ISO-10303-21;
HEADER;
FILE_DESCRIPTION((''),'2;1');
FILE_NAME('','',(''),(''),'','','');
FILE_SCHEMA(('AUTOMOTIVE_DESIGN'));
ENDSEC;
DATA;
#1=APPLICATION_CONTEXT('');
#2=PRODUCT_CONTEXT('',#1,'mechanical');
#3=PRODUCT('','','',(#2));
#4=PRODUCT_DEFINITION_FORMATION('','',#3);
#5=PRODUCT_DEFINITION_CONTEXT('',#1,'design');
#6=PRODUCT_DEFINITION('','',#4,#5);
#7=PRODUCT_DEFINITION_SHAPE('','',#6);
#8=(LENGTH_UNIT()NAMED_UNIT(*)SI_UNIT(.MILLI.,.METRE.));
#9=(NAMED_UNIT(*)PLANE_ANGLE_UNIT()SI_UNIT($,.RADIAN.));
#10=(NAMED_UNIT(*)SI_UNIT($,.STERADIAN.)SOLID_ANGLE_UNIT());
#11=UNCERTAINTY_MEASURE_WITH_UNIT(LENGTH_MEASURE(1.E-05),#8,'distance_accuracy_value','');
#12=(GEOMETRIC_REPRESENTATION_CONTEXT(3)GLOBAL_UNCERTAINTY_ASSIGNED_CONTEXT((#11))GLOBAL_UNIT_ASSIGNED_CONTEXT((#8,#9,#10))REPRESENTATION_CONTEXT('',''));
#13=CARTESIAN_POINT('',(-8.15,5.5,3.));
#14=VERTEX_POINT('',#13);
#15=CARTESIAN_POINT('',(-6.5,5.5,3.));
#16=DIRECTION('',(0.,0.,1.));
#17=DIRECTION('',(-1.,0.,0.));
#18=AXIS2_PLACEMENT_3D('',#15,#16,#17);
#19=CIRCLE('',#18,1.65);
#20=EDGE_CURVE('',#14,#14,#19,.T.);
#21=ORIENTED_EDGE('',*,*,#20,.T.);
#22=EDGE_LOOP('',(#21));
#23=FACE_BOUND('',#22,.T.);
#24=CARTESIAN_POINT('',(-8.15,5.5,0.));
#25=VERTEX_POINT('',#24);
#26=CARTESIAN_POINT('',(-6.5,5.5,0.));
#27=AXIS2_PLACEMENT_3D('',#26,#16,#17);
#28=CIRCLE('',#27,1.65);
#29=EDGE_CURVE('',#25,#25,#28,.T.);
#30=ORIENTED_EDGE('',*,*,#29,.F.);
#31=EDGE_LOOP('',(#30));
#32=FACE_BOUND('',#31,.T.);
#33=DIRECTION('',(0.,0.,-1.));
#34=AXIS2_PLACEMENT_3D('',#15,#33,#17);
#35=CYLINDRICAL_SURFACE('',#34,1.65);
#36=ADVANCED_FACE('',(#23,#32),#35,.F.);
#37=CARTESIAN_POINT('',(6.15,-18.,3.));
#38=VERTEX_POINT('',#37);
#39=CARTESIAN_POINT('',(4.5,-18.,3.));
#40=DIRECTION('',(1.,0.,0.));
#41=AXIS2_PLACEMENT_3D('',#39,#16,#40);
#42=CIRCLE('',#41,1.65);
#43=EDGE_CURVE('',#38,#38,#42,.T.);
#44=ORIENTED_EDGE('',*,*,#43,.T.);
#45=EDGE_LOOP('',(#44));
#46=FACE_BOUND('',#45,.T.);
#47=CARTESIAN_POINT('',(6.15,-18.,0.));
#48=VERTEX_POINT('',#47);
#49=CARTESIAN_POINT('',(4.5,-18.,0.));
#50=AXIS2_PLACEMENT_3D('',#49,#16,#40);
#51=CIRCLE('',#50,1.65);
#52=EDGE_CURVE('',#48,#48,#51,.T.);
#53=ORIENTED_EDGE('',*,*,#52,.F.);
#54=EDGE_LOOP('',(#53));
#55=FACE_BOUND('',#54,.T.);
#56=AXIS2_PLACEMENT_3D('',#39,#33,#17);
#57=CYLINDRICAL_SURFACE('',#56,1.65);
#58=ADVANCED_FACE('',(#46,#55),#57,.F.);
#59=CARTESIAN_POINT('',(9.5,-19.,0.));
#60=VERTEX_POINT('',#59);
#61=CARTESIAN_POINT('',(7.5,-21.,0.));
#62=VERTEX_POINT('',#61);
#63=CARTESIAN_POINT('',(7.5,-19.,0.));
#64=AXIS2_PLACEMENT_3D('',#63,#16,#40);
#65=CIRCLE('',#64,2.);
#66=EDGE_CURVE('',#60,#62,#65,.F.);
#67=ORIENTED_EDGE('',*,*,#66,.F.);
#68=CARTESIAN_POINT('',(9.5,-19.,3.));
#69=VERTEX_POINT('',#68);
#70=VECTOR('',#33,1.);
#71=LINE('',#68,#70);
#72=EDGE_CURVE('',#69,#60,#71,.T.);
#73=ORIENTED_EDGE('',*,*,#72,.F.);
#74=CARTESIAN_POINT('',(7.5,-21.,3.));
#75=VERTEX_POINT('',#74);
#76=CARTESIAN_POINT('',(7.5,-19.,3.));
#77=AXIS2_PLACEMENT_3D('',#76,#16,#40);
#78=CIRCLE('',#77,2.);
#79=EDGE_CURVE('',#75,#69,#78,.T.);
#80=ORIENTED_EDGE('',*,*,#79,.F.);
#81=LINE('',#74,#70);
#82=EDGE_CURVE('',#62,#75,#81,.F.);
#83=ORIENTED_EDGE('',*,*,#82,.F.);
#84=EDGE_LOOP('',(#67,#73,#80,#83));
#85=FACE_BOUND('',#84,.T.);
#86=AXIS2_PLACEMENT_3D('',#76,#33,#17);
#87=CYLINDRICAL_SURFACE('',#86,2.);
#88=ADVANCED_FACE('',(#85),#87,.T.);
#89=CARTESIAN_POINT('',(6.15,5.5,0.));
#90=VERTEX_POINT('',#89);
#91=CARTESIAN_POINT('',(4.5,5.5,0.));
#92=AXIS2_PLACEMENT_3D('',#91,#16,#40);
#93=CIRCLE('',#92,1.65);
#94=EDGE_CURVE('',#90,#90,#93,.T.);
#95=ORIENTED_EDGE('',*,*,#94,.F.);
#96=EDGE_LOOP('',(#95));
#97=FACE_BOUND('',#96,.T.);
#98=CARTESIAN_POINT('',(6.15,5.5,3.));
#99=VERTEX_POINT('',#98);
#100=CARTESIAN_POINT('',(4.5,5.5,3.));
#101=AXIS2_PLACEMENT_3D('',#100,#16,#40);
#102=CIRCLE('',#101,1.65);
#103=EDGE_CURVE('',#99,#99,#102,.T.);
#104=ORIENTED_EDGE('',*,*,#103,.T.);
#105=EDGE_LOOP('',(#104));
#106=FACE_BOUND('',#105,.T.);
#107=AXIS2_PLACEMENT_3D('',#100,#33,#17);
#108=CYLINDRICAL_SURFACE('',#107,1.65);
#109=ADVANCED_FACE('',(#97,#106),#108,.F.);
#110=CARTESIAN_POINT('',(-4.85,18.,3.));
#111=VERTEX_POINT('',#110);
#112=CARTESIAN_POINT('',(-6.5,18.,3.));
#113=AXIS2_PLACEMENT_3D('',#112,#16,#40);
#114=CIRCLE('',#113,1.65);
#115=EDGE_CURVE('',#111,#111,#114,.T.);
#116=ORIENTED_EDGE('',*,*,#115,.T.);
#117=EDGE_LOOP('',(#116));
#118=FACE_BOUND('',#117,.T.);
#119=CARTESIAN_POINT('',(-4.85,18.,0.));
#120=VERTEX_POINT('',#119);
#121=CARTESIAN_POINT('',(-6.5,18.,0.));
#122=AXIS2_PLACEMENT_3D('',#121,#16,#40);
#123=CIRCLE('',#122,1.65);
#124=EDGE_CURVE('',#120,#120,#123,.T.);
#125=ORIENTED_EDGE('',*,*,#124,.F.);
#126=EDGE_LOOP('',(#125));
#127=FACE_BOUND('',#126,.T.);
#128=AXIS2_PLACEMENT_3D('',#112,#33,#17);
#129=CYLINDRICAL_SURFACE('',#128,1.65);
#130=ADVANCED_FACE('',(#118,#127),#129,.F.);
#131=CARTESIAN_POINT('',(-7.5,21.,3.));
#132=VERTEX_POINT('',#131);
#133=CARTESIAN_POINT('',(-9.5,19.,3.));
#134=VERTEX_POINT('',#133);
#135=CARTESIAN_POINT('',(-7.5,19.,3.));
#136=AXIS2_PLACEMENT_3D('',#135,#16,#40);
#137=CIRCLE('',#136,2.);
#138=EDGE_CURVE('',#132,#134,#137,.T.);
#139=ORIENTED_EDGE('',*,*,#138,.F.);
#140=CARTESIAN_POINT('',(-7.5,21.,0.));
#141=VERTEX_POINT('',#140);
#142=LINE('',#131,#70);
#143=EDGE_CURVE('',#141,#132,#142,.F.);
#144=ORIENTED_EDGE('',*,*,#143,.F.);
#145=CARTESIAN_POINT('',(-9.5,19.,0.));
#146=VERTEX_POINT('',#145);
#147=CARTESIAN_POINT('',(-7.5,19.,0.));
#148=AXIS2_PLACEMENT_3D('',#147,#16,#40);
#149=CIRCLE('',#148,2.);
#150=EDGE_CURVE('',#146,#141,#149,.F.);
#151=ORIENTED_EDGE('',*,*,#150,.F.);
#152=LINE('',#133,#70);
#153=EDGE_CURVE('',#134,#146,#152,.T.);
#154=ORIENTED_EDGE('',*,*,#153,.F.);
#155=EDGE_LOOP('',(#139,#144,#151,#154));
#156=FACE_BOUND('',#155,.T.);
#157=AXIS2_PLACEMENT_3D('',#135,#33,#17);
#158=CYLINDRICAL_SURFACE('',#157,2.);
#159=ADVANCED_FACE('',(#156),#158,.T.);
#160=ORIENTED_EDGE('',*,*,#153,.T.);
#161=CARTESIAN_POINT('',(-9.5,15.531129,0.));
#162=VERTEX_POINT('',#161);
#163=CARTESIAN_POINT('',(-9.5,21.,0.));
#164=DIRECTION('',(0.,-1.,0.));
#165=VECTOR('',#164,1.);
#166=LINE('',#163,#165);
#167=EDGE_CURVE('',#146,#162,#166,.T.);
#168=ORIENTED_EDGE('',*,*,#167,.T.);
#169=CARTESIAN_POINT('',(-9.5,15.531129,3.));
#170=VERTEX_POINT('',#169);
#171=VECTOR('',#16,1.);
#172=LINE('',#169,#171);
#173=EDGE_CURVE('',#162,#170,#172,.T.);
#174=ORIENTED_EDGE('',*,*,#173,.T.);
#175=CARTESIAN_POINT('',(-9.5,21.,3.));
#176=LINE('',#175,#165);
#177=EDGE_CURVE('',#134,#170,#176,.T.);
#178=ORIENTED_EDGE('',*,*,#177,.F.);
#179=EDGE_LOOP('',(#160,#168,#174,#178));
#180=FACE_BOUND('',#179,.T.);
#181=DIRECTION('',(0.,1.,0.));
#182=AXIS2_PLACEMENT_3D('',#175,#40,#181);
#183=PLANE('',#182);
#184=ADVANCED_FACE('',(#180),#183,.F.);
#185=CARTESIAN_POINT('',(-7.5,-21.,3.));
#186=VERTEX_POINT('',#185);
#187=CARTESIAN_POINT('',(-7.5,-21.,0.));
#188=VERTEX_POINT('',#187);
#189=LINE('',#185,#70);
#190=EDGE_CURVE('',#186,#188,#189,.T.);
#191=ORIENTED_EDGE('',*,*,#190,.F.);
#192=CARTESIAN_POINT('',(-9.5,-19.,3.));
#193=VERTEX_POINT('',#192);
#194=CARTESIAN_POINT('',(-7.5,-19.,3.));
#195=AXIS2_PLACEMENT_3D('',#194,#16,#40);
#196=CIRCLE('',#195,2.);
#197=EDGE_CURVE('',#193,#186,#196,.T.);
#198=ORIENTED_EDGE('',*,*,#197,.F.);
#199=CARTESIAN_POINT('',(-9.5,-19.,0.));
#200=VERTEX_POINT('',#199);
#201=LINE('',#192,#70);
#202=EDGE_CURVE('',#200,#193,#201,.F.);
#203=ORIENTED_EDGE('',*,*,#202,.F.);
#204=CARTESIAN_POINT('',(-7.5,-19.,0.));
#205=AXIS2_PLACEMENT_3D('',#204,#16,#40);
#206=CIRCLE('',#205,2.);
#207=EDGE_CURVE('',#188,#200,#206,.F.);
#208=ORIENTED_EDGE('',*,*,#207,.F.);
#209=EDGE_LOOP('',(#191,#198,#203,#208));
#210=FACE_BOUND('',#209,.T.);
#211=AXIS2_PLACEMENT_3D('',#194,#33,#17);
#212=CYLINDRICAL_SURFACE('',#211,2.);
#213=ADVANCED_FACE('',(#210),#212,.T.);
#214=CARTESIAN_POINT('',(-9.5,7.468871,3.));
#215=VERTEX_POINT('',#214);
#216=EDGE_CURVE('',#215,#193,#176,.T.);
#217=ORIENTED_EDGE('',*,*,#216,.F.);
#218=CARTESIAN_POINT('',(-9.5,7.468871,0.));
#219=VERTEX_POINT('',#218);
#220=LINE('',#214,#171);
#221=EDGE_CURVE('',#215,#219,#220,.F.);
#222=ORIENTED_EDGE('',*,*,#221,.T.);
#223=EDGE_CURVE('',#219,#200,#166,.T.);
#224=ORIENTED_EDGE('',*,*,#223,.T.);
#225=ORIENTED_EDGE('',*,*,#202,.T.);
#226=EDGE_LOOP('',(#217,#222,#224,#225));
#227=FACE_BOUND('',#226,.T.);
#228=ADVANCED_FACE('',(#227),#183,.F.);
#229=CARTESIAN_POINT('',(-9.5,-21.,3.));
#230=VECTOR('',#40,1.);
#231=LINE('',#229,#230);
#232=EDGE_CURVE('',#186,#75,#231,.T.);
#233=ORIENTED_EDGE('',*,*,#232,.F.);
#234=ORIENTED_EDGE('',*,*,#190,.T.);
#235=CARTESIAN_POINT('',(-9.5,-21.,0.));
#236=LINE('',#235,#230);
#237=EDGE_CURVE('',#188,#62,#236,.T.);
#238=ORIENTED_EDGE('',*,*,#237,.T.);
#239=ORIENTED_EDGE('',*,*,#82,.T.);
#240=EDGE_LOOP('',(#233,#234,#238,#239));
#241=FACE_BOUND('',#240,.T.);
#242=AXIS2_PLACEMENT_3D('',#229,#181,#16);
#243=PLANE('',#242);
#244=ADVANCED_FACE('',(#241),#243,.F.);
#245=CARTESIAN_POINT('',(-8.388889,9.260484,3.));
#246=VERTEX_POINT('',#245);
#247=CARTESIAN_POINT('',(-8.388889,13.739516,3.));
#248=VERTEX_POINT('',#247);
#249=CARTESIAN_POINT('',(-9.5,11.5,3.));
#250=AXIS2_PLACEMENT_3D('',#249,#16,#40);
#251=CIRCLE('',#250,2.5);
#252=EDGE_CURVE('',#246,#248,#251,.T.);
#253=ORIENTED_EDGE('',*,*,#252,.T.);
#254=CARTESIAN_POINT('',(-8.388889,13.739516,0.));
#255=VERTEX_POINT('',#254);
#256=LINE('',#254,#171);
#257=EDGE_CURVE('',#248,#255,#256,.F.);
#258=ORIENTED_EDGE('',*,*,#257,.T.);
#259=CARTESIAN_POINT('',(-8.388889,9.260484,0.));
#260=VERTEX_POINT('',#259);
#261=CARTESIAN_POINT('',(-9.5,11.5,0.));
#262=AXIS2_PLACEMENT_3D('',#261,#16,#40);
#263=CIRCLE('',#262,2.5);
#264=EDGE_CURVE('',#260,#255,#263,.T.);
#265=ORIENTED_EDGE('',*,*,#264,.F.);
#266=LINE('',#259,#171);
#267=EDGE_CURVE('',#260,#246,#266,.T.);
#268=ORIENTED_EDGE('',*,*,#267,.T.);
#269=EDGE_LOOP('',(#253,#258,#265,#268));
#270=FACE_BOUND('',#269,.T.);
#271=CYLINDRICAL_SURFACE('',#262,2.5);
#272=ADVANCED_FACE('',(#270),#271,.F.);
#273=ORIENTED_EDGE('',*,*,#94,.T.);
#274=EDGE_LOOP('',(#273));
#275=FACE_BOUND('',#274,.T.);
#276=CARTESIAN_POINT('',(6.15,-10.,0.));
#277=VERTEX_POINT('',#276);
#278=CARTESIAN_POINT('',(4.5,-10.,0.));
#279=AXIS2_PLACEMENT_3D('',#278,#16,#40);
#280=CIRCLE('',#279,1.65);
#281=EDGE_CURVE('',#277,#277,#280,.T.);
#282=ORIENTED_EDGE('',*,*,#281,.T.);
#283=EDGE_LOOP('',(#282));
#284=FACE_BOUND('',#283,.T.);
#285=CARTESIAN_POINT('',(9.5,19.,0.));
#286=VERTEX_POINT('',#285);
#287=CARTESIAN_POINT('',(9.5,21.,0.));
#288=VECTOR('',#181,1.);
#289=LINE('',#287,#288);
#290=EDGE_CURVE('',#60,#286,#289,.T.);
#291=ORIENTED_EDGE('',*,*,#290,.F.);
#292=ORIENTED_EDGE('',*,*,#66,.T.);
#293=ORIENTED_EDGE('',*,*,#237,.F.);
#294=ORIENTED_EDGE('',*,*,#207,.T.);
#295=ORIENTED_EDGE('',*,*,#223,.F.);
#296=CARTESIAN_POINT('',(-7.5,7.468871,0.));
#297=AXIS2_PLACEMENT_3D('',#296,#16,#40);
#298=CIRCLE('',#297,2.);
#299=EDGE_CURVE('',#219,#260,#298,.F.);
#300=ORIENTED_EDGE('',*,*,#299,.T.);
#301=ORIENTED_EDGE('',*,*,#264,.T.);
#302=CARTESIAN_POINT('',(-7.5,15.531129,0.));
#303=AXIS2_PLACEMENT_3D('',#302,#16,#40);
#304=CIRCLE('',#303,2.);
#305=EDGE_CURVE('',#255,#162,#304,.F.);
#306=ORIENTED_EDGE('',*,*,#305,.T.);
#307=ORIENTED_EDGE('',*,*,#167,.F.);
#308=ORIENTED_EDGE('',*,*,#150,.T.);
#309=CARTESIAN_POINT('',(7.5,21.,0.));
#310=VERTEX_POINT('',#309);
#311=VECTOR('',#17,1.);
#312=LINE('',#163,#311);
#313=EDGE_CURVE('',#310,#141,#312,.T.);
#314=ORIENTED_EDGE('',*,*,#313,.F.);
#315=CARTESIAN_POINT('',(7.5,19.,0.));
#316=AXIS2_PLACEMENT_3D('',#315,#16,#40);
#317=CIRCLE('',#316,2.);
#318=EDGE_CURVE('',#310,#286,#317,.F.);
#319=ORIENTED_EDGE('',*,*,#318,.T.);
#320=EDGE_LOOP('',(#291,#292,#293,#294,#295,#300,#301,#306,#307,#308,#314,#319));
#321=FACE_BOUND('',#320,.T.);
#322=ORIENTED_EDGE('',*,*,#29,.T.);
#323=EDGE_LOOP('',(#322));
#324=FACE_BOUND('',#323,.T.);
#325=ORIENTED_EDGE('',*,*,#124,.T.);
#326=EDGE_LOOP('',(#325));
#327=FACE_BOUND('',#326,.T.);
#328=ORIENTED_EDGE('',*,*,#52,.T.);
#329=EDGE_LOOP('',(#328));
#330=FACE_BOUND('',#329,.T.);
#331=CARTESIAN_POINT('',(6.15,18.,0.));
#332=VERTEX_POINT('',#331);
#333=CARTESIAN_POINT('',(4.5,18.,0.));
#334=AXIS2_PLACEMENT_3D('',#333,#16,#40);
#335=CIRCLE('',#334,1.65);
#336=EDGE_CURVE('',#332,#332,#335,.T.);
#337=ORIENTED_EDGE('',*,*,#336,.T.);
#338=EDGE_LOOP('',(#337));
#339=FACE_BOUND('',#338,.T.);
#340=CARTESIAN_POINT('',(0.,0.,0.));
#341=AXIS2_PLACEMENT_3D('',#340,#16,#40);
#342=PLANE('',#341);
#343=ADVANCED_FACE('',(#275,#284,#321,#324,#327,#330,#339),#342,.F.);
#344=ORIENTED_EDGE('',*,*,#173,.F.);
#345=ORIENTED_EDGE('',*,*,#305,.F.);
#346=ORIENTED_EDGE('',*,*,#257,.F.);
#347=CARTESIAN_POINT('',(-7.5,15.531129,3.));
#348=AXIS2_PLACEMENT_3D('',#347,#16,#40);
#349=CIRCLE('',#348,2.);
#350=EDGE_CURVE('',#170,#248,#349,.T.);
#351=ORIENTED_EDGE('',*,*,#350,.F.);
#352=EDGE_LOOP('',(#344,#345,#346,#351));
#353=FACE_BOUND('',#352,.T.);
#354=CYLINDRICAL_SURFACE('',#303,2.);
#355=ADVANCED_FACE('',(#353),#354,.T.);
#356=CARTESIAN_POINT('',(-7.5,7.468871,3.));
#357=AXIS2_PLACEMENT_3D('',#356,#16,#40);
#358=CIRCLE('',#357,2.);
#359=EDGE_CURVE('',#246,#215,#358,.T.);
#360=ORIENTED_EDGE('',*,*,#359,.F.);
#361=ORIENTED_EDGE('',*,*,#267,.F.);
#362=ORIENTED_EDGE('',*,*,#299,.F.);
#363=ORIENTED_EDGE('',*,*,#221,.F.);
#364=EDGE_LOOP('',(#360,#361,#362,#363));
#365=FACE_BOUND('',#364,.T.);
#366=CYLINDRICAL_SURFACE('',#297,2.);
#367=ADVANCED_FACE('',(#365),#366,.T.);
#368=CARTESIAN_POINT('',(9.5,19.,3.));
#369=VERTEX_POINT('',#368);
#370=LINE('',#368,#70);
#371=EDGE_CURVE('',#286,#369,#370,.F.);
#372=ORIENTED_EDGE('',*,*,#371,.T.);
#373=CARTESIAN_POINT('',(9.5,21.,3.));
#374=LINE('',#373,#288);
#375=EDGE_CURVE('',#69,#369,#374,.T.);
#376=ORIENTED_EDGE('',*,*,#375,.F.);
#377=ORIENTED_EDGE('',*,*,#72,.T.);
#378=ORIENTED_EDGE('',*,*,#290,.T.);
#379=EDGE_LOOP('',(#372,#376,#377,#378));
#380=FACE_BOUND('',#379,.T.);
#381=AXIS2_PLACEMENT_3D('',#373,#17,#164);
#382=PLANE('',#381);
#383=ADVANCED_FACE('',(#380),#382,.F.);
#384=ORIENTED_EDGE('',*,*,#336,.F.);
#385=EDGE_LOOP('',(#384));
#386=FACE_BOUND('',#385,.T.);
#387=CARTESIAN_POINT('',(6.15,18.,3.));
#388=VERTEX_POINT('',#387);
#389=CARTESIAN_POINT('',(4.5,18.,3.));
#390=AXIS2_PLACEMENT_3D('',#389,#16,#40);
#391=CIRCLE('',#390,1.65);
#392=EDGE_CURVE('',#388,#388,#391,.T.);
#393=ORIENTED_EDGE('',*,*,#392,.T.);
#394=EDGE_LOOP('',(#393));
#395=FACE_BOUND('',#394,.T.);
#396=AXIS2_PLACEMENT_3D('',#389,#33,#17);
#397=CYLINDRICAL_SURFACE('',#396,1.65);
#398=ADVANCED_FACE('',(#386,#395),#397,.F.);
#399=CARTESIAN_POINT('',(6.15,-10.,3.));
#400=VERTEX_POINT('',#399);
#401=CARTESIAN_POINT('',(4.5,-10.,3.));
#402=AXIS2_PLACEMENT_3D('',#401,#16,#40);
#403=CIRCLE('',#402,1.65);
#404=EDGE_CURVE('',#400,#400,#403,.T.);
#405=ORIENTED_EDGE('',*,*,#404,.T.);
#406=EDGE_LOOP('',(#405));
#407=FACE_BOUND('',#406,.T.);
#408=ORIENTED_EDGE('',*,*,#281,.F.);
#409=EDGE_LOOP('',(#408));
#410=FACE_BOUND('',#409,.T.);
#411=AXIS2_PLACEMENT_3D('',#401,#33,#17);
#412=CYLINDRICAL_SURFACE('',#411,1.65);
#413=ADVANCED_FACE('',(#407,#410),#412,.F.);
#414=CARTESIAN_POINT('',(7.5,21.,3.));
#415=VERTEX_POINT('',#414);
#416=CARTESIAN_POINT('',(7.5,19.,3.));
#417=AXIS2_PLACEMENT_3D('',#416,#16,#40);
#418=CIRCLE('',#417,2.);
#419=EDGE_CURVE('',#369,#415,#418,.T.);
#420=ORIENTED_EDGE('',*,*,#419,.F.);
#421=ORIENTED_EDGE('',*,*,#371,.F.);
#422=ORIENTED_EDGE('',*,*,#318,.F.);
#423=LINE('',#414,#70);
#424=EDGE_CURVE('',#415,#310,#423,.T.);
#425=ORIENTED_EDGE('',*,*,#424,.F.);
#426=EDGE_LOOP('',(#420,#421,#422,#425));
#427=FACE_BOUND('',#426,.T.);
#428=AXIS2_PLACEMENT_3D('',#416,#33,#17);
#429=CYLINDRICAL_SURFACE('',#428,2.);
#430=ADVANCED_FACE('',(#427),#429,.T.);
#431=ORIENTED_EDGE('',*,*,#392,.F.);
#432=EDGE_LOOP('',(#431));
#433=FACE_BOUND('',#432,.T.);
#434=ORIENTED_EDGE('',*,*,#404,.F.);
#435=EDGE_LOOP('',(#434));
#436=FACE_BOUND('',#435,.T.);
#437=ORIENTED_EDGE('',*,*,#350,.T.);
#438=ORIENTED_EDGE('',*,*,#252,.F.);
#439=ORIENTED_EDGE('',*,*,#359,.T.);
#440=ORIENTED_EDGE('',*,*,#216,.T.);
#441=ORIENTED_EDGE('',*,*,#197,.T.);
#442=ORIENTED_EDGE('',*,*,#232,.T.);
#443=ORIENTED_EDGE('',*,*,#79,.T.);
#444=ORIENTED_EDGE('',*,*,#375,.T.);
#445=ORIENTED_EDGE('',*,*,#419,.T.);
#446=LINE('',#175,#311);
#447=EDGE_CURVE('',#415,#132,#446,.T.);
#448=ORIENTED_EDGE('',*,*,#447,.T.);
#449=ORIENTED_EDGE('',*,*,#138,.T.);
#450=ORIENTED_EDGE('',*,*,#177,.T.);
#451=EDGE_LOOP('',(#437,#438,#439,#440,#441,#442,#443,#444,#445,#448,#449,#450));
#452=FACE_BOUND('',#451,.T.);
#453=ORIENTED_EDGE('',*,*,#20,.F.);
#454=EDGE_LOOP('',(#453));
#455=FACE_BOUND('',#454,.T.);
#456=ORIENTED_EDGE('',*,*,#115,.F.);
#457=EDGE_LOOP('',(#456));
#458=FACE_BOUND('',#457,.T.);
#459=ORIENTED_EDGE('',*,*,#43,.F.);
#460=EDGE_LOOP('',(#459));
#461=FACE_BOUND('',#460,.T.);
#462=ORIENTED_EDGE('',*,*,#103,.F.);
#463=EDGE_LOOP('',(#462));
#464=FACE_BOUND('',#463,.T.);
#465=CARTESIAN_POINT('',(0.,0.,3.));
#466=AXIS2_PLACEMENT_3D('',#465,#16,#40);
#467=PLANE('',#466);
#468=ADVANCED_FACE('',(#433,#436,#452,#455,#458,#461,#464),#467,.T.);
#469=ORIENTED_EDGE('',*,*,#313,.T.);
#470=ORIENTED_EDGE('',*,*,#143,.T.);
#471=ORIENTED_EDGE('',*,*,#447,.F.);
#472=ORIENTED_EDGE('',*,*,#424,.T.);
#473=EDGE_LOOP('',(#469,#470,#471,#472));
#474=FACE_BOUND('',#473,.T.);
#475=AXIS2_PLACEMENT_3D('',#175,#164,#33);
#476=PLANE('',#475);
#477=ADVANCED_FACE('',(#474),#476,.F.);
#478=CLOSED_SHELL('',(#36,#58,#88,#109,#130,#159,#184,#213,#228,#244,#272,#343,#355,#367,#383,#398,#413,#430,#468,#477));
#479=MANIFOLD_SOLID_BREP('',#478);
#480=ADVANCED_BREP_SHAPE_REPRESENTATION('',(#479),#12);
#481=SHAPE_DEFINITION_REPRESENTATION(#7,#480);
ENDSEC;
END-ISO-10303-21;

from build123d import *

# Parameters (mm, degrees)
SKETCH_1_W          = 19
SKETCH_1_H          = 42
SKETCH_1_R          = 1.65
EXTRUDE_1_DEPTH     = 3
SKETCH_2_R          = 2.5
CUT_EXTRUDE_1_DEPTH = 4
FILLET_1_R          = 2
FILLET_2_R          = 2


with BuildPart() as part:
    # 草图1 → 凸台-拉伸1 (new body)
    with BuildSketch(Plane.XY):
        Rectangle(SKETCH_1_W, SKETCH_1_H)
        with Locations((-6.5, 18)):
            Circle(SKETCH_1_R, mode=Mode.SUBTRACT)
        with Locations((-6.5, 5.5)):
            Circle(SKETCH_1_R, mode=Mode.SUBTRACT)
        with Locations((4.5, -10)):
            Circle(SKETCH_1_R, mode=Mode.SUBTRACT)
        with Locations((4.5, -18)):
            Circle(SKETCH_1_R, mode=Mode.SUBTRACT)
        with Locations((4.5, 18)):
            Circle(SKETCH_1_R, mode=Mode.SUBTRACT)
        with Locations((4.5, 5.5)):
            Circle(SKETCH_1_R, mode=Mode.SUBTRACT)
    extrude(amount=EXTRUDE_1_DEPTH)

    # 草图2 → 切除-拉伸1 (cut, through all)
    with BuildSketch(Plane.XY.offset(3)):
        with Locations((-9.5, 11.5)):
            Circle(SKETCH_2_R)
    extrude(amount=-CUT_EXTRUDE_1_DEPTH, mode=Mode.SUBTRACT)

    # 圆角1
    fillet_1_edges = [part.edges().sort_by_distance(p)[0] for p in [
        (-9.5, 9, 1.5),
        (-9.5, 14, 1.5),
    ]]
    fillet(fillet_1_edges, radius=FILLET_1_R)

    # 圆角2
    fillet_2_edges = [part.edges().sort_by_distance(p)[0] for p in [
        (9.5, -21, 1.5),
        (-9.5, -21, 1.5),
        (-9.5, 21, 1.5),
        (9.5, 21, 1.5),
    ]]
    fillet(fillet_2_edges, radius=FILLET_2_R)


solid = part.part
